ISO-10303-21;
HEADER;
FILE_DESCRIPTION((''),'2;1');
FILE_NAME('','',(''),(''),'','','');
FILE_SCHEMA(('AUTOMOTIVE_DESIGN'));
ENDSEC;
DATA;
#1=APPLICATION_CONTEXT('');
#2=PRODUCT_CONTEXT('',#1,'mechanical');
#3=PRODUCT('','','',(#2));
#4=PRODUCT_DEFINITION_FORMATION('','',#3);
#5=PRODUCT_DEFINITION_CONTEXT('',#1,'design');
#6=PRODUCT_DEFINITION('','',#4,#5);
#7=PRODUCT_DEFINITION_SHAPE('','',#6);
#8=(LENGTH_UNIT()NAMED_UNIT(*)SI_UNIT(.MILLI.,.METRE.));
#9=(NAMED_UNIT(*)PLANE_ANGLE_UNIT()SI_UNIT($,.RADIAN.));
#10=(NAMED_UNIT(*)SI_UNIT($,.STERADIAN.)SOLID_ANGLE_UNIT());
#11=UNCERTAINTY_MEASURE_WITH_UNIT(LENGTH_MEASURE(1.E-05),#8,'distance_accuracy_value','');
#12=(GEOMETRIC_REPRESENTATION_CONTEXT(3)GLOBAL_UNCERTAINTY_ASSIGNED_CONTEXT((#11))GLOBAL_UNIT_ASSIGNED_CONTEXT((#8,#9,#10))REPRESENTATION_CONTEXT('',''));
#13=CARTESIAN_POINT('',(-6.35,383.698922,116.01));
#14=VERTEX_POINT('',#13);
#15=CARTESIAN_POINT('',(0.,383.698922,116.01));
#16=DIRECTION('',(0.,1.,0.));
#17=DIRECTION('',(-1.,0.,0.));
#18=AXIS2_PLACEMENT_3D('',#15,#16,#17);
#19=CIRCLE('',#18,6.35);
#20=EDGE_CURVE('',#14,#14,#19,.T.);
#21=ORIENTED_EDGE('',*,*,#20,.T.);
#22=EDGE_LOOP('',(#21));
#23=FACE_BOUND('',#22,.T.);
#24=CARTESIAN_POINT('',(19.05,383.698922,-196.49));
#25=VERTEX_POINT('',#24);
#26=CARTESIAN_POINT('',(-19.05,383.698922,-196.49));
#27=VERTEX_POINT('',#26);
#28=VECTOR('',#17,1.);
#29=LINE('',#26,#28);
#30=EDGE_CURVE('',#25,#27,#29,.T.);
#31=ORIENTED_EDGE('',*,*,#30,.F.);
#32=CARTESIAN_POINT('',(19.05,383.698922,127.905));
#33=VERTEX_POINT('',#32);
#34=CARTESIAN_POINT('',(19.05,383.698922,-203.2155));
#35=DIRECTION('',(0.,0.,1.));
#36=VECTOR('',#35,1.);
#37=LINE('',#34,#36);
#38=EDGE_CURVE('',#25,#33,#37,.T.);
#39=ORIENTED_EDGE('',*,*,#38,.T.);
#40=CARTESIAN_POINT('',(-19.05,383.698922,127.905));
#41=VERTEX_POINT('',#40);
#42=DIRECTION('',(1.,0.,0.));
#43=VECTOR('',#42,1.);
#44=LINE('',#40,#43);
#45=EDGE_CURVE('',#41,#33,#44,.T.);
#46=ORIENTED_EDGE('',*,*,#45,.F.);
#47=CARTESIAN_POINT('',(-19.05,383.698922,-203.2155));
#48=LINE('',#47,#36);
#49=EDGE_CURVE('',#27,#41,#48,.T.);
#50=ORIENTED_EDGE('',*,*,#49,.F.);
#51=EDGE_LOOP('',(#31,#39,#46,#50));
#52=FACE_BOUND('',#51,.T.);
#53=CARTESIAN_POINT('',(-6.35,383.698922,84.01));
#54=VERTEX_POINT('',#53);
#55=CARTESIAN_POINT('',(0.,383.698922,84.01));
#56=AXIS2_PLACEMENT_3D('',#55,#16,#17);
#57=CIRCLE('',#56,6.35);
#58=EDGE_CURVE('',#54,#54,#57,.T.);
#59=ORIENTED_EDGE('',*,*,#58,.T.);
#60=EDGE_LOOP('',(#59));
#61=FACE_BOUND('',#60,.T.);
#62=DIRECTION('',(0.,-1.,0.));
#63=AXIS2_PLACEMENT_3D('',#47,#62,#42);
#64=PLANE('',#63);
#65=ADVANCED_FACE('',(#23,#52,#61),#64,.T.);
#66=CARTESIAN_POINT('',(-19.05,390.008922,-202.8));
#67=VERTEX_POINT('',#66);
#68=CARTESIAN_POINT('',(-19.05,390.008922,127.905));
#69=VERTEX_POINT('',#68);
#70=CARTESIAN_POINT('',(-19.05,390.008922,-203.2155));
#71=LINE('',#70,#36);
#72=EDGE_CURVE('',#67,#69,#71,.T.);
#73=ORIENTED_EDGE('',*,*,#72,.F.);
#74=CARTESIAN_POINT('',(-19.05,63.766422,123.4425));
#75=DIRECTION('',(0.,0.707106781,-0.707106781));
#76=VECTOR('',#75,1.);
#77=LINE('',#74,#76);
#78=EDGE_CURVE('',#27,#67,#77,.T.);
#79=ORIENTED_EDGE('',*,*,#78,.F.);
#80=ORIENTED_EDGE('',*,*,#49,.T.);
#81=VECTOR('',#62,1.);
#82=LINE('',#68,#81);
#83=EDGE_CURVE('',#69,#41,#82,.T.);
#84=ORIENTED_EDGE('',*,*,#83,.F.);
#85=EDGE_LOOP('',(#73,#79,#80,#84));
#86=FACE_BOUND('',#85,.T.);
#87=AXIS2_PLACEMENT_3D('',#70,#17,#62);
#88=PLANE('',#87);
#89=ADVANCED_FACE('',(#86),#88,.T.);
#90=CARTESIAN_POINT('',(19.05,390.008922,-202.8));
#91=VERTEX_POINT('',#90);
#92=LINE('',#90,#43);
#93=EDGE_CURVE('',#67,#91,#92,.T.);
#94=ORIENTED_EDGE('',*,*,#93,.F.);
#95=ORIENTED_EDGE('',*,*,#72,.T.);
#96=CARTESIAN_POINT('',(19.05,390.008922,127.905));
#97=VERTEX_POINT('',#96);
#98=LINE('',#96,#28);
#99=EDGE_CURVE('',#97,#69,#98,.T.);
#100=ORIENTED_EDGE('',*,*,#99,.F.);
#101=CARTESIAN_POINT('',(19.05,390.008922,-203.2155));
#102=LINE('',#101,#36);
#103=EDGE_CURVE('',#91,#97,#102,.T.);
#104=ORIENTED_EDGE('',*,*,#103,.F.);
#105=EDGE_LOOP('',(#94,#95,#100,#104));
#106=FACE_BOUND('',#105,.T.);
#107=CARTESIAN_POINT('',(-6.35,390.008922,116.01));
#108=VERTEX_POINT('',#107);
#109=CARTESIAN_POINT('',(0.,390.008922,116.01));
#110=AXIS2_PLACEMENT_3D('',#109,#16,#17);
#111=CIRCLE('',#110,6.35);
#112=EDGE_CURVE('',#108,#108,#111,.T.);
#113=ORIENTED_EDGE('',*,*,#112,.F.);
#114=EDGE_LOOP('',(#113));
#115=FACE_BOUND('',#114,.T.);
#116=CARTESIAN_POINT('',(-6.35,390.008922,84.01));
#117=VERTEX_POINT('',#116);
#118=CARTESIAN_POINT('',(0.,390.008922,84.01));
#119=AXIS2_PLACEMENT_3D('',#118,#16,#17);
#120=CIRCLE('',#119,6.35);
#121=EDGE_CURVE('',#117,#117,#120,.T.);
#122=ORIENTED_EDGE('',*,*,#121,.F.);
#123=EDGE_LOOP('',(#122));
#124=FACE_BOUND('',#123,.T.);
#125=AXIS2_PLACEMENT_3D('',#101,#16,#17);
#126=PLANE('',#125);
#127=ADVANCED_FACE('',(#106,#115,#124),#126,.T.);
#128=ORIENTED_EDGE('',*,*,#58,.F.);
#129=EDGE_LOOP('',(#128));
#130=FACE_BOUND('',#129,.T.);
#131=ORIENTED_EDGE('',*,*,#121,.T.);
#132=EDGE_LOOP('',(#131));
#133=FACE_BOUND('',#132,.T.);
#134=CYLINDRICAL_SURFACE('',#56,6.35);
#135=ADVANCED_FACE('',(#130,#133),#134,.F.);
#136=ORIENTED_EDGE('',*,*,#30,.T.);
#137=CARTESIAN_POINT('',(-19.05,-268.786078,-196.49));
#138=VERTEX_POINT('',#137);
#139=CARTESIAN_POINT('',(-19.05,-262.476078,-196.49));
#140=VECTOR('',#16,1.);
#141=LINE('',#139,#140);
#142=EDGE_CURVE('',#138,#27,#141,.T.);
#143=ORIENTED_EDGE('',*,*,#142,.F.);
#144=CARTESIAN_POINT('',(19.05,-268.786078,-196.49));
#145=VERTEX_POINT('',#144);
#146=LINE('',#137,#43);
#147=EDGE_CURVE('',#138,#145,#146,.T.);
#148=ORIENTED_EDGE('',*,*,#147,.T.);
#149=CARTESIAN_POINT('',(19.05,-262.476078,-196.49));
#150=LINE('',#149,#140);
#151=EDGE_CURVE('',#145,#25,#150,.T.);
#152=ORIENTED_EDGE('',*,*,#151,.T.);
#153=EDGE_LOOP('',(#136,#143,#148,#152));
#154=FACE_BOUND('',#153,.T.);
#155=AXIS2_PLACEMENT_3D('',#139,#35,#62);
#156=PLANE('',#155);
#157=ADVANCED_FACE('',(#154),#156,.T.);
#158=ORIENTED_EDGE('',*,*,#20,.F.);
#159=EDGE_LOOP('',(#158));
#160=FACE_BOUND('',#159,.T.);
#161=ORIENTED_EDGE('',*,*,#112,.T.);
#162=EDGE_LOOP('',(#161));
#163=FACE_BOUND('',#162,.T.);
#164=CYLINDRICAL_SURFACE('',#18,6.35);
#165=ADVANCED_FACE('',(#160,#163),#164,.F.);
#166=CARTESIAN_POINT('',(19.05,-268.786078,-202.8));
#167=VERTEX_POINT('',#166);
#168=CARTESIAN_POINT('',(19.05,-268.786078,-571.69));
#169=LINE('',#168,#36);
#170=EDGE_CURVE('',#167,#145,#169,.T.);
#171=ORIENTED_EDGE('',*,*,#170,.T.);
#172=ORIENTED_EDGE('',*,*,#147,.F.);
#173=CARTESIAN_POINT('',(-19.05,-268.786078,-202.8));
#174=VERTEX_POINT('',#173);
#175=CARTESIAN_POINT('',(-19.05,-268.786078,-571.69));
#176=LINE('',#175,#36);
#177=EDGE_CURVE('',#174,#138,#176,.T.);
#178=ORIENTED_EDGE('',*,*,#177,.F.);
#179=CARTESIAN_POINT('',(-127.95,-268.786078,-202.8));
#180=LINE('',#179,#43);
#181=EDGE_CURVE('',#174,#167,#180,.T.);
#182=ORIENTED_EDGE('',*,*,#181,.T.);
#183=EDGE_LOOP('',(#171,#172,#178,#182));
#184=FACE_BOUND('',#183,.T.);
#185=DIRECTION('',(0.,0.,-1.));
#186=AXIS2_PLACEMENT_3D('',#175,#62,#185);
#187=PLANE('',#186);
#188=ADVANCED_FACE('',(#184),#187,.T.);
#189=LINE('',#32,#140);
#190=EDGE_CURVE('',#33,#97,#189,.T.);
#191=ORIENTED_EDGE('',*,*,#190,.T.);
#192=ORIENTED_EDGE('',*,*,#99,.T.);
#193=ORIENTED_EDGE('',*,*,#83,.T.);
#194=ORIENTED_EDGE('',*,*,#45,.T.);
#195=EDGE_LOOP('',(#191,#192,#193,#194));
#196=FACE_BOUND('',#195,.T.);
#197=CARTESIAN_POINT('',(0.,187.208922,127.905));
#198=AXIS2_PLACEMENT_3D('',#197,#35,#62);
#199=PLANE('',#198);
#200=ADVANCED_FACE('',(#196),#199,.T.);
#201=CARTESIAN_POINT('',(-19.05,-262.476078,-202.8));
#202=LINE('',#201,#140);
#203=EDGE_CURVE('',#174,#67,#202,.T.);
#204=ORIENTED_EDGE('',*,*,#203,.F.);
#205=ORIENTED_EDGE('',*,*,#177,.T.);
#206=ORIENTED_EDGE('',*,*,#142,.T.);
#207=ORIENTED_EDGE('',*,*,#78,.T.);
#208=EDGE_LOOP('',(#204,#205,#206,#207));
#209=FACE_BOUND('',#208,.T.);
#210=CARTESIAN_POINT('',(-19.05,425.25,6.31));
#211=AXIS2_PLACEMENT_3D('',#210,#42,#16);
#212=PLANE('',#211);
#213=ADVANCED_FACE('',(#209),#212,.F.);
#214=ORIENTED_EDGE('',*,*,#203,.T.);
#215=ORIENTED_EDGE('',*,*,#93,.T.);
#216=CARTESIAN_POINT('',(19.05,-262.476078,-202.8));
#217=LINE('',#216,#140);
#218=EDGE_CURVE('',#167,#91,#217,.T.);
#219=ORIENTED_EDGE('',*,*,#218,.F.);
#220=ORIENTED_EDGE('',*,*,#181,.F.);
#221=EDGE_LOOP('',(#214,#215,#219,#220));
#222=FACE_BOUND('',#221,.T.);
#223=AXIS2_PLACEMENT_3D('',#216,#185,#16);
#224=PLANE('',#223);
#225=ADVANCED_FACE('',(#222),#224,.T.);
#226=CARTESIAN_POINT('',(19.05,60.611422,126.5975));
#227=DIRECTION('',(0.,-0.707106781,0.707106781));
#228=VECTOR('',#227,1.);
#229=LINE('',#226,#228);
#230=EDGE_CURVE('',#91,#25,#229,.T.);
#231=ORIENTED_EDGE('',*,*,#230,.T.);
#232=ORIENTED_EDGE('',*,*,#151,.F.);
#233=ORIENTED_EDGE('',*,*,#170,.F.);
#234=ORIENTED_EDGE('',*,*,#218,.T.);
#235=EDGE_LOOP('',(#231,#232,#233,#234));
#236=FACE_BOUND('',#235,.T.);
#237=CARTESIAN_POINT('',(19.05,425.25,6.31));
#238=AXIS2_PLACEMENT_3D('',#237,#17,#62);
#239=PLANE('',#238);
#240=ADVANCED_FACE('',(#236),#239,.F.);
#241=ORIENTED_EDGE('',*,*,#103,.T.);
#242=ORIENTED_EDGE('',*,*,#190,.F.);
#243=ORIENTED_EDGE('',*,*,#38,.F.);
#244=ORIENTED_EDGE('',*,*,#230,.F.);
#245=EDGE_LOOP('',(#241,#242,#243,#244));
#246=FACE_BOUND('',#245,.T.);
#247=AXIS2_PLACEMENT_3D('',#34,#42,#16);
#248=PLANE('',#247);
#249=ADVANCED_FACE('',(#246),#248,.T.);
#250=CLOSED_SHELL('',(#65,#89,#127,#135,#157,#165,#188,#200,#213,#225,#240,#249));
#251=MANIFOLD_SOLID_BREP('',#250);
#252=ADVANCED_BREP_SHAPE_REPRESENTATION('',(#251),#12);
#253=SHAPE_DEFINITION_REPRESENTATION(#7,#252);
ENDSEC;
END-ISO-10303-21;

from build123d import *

# Parameters (mm, degrees)
CROQUIS1_W              = 38.1
CROQUIS1_H              = 850.5
SALIENTE_EXTRUIR1_DEPTH = 6.31
CROQUIS2_W              = 38.1
CROQUIS2_H              = 6.31
SALIENTE_EXTRUIR2_DEPTH = 70
CROQUIS3_W              = 38.1
CROQUIS3_H              = 6.31
SALIENTE_EXTRUIR3_DEPTH = 578
CROQUIS4_R              = 6.935856655
CORTAR_EXTRUIR1_DEPTH   = 7
CROQUIS5_W              = 38.1
CROQUIS5_H              = 687.72607772
CORTAR_EXTRUIR2_DEPTH   = 10
CROQUIS6_W              = 38.1
CROQUIS6_H              = 6.31
CROQUIS8_W              = 368.89
CROQUIS8_H              = 6.31
CORTAR_EXTRUIR3_DEPTH   = 147
CROQUIS9_R              = 6.35
CORTAR_EXTRUIR4_DEPTH   = 6.31


with BuildPart() as part:
    # Croquis1 → Saliente-Extruir1 (new body)
    with BuildSketch(Plane.XY):
        Rectangle(CROQUIS1_W, CROQUIS1_H)
    extrude(amount=SALIENTE_EXTRUIR1_DEPTH)

    # Croquis2 → Saliente-Extruir2 (add)
    with BuildSketch(Plane.XY.offset(6.31)):
        with Locations((0, -422.095)):
            Rectangle(CROQUIS2_W, CROQUIS2_H)
    extrude(amount=SALIENTE_EXTRUIR2_DEPTH)

    # Croquis3 → Saliente-Extruir3 (add)
    with BuildSketch(Plane.XY.offset(6.31)):
        with Locations((0, -265.63107772)):
            Rectangle(CROQUIS3_W, CROQUIS3_H)
    extrude(amount=-SALIENTE_EXTRUIR3_DEPTH)

    # Croquis4 → Cortar-Extruir1 (cut)
    with BuildSketch(Plane(origin=(0, -262.47607772, 0), x_dir=(1, 0, 0), z_dir=(0, 1, 0))):
        with Locations(Location((0, 536.981534281, 0), (0, 0, 270))):
            Circle(CROQUIS4_R)
    extrude(amount=-CORTAR_EXTRUIR1_DEPTH, mode=Mode.SUBTRACT)

    # Croquis5 → Cortar-Extruir2 (cut)
    with BuildSketch(Plane(origin=(0, 0, 0), x_dir=(-1, 0, 0), z_dir=(0, 0, -1))):
        with Locations((0, 81.38696114)):
            Rectangle(CROQUIS5_W, CROQUIS5_H)
    extrude(amount=-CORTAR_EXTRUIR2_DEPTH, mode=Mode.SUBTRACT)

    # Barrer1: sweep along a curve in space
    with BuildLine() as barrer1_path:
        Line((0, -262.47607772, -199.645), (0, 386.85392228, -199.645))
        Line((0, 386.85392228, -199.645), (0, 386.85392228, 127.905))
    # Croquis6 → Barrer1 (sweep)
    with BuildSketch(Plane(origin=(0, -262.47607772, 0), x_dir=(1, 0, 0), z_dir=(0, 1, 0))):
        with Locations((0, 199.645)):
            Rectangle(CROQUIS6_W, CROQUIS6_H)
    sweep(path=barrer1_path.line, transition=Transition.RIGHT)

    # Croquis8 → Cortar-Extruir3 (cut)
    with BuildSketch(Plane(origin=(19.05, 0, 0), x_dir=(0, 0, -1), z_dir=(1, 0, 0))):
        Polygon((196.49, -262.47607772), (196.49, -268.78607772), (196.49, -444.307673596), (-90.834600665, -444.307673596), (-90.834600665, -262.47607772), align=None)
        with Locations((387.245, -265.63107772)):
            Rectangle(CROQUIS8_W, CROQUIS8_H)
    extrude(amount=-CORTAR_EXTRUIR3_DEPTH, mode=Mode.SUBTRACT)

    # Croquis9 → Cortar-Extruir4 (cut)
    with BuildSketch(Plane(origin=(0, 390.00892228, 0), x_dir=(1, 0, 0), z_dir=(0, 1, 0))):
        with Locations(Location((0, -84.010000001, 0), (0, 0, 180))):
            Circle(CROQUIS9_R)
        with Locations(Location((0, -116.010000001, 0), (0, 0, 180))):
            Circle(CROQUIS9_R)
    extrude(amount=-CORTAR_EXTRUIR4_DEPTH, mode=Mode.SUBTRACT)


solid = part.part
